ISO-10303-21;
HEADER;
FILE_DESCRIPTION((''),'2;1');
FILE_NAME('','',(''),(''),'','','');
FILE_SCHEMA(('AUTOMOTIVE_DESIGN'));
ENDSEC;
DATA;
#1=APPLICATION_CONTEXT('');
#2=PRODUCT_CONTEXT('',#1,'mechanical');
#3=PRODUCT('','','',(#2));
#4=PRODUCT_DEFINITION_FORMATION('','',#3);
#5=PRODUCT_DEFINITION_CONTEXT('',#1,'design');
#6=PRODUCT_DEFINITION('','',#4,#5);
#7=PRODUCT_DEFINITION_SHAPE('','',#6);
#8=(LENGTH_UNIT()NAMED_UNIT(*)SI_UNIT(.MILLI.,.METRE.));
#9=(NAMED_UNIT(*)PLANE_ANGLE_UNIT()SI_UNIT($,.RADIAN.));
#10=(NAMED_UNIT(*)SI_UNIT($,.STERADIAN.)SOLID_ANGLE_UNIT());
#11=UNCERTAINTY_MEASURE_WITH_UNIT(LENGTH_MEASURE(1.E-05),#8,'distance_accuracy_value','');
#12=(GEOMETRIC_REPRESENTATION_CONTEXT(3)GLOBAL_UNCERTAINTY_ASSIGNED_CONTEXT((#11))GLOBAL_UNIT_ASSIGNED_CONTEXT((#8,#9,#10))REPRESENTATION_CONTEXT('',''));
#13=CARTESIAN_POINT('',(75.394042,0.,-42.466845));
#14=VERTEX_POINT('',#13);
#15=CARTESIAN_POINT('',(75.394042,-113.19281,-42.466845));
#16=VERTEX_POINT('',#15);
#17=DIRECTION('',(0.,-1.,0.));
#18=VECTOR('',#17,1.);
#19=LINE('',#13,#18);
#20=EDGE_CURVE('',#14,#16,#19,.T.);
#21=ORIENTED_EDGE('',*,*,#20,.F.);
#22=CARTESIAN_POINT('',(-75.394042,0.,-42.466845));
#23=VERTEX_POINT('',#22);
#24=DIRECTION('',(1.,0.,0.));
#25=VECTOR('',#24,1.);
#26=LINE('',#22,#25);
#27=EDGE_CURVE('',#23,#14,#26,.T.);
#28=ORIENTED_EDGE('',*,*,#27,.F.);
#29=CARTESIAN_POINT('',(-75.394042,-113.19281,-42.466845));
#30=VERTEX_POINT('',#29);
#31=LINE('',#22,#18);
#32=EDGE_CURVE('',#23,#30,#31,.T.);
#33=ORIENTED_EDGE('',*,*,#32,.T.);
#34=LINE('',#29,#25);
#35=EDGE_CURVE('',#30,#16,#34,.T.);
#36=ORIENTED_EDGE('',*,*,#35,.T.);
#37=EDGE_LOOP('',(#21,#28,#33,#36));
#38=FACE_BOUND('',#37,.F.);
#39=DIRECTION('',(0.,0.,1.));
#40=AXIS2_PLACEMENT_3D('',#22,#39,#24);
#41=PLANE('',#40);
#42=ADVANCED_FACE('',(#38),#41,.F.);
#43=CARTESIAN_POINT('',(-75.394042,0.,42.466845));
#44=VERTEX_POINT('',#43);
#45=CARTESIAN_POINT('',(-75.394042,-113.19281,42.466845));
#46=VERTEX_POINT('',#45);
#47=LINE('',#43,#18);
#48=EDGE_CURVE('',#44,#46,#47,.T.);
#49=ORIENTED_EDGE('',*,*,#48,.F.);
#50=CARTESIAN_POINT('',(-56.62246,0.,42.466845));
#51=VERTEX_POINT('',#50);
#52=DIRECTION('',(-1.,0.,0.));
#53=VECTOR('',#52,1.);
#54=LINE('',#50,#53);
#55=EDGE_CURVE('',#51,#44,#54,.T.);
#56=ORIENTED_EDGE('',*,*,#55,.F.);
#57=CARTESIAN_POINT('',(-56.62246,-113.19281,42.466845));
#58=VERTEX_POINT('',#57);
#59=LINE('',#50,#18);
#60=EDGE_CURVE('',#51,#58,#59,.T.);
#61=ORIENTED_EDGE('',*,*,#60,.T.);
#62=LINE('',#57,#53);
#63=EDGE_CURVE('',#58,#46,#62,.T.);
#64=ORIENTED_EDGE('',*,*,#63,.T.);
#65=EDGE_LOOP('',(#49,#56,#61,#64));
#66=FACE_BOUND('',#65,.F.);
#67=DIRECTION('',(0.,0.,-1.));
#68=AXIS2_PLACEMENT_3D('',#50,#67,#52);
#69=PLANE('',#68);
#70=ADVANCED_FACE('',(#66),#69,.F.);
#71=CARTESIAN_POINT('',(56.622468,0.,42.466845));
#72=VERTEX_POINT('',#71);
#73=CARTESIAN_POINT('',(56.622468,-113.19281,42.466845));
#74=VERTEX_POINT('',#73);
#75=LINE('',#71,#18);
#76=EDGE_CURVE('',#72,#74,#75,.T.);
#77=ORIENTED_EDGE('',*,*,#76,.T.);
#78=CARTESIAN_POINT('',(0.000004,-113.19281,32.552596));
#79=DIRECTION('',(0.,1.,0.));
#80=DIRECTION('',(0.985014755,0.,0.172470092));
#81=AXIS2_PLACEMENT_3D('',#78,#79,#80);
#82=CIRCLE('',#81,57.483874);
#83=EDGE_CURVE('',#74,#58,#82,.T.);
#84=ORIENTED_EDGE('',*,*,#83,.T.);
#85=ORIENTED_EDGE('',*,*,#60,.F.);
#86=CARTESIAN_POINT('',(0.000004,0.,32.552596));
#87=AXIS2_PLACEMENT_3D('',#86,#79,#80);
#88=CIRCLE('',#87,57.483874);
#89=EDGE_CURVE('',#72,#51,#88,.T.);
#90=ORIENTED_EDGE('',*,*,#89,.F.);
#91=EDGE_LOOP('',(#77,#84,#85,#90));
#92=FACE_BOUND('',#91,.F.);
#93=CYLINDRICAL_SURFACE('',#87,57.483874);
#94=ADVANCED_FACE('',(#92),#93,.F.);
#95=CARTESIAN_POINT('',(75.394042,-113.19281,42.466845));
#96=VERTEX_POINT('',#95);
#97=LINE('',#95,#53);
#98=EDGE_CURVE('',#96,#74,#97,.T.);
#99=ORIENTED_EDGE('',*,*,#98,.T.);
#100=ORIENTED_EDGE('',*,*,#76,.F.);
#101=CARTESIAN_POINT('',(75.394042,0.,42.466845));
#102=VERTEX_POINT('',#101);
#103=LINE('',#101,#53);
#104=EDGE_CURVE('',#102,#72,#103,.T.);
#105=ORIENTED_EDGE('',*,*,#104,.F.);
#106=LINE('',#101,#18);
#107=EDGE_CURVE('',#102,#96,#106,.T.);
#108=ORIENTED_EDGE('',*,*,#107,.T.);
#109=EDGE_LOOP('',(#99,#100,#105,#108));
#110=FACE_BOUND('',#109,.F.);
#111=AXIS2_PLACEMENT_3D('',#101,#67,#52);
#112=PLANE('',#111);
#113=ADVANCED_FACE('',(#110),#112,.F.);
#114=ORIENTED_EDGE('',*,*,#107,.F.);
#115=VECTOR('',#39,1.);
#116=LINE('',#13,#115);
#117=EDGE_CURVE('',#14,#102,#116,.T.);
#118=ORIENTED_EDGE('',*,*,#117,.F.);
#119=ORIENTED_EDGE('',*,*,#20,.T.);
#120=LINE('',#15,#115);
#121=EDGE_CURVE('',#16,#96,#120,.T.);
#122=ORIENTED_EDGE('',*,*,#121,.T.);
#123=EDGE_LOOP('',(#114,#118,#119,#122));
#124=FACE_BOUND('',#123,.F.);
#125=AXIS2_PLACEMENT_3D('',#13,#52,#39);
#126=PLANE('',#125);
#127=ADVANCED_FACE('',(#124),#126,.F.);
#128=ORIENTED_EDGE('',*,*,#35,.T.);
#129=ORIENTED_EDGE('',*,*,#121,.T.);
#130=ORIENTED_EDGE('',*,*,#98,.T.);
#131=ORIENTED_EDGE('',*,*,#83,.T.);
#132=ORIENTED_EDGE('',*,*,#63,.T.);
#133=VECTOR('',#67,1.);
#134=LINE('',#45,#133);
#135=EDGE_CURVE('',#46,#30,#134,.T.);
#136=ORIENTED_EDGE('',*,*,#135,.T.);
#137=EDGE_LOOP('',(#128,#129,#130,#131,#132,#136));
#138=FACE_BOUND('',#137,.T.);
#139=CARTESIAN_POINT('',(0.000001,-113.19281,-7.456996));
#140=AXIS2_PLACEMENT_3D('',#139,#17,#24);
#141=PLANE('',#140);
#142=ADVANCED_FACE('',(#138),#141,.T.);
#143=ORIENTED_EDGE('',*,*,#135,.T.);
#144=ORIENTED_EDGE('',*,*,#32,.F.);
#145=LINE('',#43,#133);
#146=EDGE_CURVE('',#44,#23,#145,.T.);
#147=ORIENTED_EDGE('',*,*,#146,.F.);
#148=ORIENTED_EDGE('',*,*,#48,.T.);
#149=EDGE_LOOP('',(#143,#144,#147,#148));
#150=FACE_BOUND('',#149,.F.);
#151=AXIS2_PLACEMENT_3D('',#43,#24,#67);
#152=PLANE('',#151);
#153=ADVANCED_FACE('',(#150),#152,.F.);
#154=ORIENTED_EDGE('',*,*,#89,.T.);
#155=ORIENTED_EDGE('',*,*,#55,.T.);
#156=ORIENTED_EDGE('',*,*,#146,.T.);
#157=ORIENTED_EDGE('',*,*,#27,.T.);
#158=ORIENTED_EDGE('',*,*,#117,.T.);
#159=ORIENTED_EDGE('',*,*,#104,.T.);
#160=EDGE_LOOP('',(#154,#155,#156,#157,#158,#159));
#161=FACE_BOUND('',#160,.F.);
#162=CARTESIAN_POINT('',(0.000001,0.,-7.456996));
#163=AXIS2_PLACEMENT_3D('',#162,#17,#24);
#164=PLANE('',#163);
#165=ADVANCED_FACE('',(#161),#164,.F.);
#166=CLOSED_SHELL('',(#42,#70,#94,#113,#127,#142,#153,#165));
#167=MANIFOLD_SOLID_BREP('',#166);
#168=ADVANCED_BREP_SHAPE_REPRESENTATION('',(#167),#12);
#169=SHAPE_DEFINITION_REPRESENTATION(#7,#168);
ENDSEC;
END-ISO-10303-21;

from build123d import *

# Parameters (mm, degrees)
F1_DEPTH = 113.19281


with BuildPart() as f1:
    # F0 (on Front) → F1 (new body)
    with BuildSketch(Plane.XZ):
        with BuildLine():
            Line((75.394042, -42.466845), (75.394042, 42.466845))
            Line((75.394042, 42.466845), (56.622468, 42.466845))
            ThreePointArc((56.622468, 42.466845), (4e-06, -24.931278), (-56.62246, 42.466845))
            Line((-56.62246, 42.466845), (-75.394042, 42.466845))
            Line((-75.394042, 42.466845), (-75.394042, -42.466845))
            Line((-75.394042, -42.466845), (75.394042, -42.466845))
        make_face()
    extrude(amount=F1_DEPTH)


solid = f1.part
